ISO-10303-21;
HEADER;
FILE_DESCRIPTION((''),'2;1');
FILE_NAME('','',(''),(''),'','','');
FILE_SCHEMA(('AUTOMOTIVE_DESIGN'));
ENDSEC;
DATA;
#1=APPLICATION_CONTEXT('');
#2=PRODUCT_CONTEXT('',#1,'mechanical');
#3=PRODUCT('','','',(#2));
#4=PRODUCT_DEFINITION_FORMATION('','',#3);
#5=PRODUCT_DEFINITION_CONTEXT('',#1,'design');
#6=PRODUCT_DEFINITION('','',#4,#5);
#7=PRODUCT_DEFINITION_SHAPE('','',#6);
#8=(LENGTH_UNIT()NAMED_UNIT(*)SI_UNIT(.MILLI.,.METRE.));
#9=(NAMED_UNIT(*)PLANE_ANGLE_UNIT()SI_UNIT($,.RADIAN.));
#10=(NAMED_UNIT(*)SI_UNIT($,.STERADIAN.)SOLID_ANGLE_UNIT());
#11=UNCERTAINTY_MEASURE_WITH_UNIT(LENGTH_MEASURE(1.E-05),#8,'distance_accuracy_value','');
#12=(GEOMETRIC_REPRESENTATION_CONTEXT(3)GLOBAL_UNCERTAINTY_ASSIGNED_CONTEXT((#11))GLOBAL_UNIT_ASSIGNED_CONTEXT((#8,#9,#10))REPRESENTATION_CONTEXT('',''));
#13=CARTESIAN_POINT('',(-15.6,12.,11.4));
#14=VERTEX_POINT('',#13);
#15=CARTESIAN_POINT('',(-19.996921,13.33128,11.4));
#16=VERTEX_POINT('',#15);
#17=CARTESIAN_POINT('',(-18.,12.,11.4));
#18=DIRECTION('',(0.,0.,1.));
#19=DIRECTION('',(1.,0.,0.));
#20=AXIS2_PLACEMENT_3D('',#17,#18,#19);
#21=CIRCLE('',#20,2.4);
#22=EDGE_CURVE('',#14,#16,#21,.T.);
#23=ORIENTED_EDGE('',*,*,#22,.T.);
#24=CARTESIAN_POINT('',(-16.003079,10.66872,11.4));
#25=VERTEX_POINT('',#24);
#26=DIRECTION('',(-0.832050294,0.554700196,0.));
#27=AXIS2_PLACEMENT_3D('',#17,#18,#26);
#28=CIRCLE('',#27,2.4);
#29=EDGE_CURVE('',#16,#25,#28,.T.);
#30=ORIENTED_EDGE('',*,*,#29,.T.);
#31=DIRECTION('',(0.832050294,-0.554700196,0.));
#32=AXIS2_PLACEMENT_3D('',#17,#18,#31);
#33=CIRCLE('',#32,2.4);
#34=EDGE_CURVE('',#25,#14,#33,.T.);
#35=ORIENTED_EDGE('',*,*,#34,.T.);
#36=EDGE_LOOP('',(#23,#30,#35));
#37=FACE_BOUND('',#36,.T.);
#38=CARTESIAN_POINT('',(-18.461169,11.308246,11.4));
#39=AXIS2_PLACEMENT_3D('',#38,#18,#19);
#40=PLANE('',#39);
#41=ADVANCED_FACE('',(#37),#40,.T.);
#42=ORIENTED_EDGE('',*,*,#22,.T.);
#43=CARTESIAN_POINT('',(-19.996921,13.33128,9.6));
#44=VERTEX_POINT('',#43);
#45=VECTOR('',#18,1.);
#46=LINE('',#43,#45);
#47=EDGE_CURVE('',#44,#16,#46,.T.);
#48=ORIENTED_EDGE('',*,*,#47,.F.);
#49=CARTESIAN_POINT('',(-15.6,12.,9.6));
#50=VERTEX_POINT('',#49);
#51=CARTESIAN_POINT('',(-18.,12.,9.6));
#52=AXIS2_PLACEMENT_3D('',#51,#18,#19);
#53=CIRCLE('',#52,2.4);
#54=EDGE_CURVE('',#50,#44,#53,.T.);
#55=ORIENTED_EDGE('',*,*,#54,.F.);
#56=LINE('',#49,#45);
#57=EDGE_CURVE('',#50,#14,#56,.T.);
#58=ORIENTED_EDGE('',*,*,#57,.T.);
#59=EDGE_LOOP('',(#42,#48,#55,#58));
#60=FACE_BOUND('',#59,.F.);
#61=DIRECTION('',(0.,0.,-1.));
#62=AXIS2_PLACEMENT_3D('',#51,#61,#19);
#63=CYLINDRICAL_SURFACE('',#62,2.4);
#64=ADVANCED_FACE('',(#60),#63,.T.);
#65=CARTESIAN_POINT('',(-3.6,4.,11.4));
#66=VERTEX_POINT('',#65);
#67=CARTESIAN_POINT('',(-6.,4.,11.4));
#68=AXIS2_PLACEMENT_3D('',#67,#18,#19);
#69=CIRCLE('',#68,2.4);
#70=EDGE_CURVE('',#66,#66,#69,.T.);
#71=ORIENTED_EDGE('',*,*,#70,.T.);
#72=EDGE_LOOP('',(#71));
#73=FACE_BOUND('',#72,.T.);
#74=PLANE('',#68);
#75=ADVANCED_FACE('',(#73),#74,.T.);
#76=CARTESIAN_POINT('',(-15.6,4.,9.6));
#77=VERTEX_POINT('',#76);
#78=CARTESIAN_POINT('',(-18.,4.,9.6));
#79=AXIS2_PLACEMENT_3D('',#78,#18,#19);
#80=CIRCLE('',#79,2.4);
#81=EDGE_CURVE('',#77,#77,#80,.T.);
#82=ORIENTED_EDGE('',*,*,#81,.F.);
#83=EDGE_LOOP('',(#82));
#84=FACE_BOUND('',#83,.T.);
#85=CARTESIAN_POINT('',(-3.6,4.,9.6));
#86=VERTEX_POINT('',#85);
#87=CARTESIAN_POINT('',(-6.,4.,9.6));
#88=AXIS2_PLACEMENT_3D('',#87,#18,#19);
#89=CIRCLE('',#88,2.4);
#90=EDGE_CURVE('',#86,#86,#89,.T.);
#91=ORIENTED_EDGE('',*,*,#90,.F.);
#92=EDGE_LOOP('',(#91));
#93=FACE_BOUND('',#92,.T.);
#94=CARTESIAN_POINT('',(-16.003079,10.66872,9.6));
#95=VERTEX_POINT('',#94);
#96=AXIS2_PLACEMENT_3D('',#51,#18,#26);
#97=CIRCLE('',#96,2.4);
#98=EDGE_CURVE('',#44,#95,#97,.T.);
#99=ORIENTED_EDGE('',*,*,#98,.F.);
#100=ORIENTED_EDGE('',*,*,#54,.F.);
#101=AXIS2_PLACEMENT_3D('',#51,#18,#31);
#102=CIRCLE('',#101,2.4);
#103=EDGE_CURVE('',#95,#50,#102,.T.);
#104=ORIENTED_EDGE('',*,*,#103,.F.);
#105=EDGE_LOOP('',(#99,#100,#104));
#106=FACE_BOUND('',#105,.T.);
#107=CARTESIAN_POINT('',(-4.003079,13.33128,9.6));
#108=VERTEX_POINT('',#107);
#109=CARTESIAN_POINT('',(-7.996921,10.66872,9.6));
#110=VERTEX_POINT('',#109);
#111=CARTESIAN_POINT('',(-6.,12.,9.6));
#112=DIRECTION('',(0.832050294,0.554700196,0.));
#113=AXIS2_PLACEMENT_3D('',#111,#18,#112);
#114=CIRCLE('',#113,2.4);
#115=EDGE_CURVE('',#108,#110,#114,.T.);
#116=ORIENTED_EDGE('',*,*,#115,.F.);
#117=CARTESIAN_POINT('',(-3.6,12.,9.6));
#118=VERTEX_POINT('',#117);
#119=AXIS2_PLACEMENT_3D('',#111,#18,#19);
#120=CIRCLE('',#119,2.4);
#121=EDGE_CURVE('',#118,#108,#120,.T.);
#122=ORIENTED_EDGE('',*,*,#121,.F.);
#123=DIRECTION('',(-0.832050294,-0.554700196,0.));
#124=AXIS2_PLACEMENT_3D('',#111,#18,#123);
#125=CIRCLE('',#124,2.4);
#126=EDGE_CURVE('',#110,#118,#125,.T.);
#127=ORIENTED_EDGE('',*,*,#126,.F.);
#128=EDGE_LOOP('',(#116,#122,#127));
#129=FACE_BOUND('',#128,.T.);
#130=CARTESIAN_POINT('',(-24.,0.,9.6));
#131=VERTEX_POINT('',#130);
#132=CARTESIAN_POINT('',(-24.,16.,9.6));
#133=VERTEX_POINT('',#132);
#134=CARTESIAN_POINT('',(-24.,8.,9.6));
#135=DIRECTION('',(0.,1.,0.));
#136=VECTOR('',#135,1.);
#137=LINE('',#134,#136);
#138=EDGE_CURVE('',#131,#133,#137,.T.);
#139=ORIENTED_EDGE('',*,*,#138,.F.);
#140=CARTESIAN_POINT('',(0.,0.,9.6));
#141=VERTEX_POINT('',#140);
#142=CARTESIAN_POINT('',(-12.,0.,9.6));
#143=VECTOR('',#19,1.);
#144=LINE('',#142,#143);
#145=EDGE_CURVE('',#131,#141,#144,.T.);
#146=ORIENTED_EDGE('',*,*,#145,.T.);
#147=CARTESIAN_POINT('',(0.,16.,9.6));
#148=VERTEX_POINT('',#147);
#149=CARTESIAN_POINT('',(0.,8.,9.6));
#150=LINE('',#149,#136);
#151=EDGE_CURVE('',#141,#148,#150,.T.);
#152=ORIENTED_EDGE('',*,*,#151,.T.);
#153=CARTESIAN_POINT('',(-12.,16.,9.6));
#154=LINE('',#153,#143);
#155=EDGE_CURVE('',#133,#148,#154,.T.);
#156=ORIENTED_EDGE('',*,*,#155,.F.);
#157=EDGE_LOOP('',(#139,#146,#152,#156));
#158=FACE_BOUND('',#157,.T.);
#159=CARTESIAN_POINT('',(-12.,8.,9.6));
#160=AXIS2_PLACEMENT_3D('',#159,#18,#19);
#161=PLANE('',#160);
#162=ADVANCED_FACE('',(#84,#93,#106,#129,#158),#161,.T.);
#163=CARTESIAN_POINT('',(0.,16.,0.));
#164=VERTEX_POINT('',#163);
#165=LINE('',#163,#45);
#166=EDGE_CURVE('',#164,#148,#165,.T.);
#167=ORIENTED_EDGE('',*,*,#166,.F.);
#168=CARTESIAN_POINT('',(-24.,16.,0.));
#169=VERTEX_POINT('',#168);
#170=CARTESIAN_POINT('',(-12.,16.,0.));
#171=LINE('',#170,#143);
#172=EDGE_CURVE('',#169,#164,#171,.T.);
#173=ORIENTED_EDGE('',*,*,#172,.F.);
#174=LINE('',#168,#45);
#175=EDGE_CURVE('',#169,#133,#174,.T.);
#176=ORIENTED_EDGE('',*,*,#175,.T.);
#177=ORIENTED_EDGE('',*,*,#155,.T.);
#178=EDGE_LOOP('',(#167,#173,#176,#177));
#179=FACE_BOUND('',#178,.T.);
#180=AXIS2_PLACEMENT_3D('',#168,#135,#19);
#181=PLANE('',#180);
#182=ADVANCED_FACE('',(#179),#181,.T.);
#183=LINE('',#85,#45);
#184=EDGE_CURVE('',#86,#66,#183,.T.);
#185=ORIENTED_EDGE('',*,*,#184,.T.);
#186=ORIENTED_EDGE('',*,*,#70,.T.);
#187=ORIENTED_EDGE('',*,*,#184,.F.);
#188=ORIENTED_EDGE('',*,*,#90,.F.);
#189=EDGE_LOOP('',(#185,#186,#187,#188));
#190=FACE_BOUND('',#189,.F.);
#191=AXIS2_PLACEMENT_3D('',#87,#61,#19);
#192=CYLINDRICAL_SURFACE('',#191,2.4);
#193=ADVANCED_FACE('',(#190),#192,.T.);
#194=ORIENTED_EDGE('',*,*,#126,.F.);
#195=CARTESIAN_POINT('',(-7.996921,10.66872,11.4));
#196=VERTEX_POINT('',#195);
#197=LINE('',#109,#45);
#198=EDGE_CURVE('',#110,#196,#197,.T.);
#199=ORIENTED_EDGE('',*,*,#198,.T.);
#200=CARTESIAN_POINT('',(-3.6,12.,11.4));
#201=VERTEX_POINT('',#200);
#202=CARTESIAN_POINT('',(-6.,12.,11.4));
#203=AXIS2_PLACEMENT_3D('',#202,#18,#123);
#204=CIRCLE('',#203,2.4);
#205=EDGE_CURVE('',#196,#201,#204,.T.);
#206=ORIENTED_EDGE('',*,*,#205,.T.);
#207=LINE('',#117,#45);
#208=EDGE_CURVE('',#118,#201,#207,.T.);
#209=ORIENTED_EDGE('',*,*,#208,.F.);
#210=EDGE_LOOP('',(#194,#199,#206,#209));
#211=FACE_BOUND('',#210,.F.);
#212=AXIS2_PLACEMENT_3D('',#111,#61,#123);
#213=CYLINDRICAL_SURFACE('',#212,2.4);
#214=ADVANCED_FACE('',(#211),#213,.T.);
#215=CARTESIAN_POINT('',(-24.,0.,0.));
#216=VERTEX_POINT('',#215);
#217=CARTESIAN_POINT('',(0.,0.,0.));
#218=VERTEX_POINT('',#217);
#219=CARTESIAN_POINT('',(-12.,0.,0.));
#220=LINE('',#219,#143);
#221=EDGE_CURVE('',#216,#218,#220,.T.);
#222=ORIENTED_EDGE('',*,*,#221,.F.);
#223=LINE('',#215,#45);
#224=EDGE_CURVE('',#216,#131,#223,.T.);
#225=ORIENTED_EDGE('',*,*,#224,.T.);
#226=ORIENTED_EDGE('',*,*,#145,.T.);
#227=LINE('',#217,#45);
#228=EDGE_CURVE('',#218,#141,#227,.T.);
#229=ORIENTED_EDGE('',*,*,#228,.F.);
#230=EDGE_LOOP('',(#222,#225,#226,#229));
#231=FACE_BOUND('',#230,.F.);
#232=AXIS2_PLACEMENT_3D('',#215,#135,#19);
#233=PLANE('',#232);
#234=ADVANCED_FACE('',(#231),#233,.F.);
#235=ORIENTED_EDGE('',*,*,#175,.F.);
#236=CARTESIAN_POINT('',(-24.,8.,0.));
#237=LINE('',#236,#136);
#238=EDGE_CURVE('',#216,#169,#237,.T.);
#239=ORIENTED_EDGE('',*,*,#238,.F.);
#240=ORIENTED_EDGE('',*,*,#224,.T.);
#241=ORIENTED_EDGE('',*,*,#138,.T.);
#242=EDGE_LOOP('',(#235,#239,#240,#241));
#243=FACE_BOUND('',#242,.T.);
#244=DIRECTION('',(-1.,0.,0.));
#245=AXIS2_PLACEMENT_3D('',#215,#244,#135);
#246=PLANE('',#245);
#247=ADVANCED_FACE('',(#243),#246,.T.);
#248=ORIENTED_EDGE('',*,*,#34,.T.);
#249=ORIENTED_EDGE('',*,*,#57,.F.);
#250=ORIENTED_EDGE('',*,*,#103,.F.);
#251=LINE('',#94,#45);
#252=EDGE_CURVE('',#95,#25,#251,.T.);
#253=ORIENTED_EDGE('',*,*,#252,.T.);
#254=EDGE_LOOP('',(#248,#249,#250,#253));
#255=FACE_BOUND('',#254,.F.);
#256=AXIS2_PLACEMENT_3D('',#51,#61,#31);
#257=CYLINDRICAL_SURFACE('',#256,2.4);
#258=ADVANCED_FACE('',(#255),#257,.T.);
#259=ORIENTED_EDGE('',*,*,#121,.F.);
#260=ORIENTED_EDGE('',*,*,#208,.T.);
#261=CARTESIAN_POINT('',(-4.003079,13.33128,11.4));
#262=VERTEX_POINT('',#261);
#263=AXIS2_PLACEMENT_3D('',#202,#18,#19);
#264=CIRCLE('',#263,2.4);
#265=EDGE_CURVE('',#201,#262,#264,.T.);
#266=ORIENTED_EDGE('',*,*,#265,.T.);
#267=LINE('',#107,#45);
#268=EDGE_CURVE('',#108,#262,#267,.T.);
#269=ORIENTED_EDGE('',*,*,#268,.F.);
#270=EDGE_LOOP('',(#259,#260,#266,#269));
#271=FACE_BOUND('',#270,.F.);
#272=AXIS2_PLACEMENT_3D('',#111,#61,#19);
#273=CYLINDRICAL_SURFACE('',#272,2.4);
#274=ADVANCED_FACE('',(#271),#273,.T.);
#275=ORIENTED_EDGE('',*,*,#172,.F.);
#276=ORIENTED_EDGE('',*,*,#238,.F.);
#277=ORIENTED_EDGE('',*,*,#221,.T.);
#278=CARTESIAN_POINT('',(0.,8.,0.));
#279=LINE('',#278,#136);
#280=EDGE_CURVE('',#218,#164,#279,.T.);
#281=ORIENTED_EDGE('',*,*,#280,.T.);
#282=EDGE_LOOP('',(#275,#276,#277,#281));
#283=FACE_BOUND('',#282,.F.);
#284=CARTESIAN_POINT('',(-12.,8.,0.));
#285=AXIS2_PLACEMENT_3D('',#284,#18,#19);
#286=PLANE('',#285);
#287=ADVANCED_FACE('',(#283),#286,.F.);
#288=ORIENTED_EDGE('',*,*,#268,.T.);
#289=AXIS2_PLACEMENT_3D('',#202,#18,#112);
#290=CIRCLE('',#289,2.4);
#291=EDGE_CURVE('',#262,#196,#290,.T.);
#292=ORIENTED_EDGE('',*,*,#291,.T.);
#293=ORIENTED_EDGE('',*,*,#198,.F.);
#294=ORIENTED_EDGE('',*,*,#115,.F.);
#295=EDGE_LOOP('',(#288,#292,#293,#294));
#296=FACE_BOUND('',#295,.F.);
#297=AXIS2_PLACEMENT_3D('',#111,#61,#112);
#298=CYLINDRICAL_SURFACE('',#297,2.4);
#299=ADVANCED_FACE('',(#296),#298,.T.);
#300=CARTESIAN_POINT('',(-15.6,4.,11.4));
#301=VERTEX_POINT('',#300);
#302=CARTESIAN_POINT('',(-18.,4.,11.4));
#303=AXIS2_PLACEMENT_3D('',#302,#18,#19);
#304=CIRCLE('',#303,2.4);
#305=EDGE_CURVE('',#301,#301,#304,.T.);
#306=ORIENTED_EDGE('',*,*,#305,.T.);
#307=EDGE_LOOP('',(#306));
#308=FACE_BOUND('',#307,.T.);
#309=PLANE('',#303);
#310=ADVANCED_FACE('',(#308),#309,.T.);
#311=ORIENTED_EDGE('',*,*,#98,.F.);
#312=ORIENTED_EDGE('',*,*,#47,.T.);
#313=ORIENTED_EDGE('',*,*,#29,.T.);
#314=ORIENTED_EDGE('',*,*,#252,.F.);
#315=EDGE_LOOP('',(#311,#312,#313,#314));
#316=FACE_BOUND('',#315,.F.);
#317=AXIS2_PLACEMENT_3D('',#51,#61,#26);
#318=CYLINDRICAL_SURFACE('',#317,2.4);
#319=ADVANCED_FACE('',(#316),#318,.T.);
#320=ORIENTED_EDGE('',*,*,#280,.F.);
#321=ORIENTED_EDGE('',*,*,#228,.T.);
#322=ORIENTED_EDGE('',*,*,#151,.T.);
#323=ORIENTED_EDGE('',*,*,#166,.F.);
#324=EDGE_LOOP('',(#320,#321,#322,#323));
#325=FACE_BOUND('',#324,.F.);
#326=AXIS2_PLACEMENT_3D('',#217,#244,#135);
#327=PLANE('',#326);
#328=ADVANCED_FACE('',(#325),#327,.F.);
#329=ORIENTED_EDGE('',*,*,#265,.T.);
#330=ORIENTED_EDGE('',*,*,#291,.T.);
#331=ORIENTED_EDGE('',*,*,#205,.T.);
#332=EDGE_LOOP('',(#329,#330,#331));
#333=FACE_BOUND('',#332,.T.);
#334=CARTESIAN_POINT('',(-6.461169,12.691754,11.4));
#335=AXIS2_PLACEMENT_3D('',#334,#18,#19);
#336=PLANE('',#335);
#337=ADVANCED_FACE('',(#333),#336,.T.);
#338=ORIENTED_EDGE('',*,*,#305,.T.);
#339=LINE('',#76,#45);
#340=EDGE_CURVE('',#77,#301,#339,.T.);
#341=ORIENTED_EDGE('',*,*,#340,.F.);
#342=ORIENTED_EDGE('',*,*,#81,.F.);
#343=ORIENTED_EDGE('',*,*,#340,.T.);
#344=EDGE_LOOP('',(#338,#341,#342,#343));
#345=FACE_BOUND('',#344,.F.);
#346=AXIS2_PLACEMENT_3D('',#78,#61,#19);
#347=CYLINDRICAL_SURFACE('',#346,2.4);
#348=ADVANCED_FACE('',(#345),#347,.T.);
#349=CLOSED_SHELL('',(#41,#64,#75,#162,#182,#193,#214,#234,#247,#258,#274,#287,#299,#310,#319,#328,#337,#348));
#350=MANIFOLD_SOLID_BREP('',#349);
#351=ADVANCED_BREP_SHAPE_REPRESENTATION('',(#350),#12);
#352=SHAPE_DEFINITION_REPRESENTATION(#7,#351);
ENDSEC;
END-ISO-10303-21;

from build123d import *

# Parameters (mm, degrees)
F0_W     = 24
F0_H     = 16
F1_DEPTH = 9.6
F2_R     = 2.4
F3_DEPTH = 1.8


with BuildPart() as f1:
    # F0 (on Top) → F1 (new body)
    with BuildSketch(Plane.XY):
        with Locations((-12, 8)):
            Rectangle(F0_W, F0_H)
    extrude(amount=F1_DEPTH)

    # F2 (on face) → F3 (join)
    with BuildSketch(Plane.XY.offset(9.6)):
        with BuildLine():
            ThreePointArc((-19.9969207064, 13.3312804709), (-19.3312804709, 10.0030792936), (-16.0030792936, 10.6687195291))
            Line((-16.0030792936, 10.6687195291), (-19.9969207064, 13.3312804709))
        make_face()
        with BuildLine():
            Line((-19.9969207064, 13.3312804709), (-16.0030792936, 10.6687195291))
            ThreePointArc((-16.0030792936, 10.6687195291), (-15.7029791364, 11.3045180431), (-15.6, 12))
            ThreePointArc((-15.6, 12), (-17.3045180431, 14.2970208636), (-19.9969207064, 13.3312804709))
        make_face()
        with BuildLine():
            ThreePointArc((-4.0030792936, 13.3312804709), (-7.3312804709, 13.9969207064), (-7.9969207064, 10.6687195291))
            Line((-7.9969207064, 10.6687195291), (-4.0030792936, 13.3312804709))
        make_face()
        with BuildLine():
            Line((-4.0030792936, 13.3312804709), (-7.9969207064, 10.6687195291))
            ThreePointArc((-7.9969207064, 10.6687195291), (-5.3045180431, 9.7029791364), (-3.6, 12))
            ThreePointArc((-3.6, 12), (-3.7029791364, 12.6954819569), (-4.0030792936, 13.3312804709))
        make_face()
        with Locations((-6, 4)):
            Circle(F2_R)
        with Locations((-18, 4)):
            Circle(F2_R)
    extrude(amount=F3_DEPTH)


solid = f1.part
